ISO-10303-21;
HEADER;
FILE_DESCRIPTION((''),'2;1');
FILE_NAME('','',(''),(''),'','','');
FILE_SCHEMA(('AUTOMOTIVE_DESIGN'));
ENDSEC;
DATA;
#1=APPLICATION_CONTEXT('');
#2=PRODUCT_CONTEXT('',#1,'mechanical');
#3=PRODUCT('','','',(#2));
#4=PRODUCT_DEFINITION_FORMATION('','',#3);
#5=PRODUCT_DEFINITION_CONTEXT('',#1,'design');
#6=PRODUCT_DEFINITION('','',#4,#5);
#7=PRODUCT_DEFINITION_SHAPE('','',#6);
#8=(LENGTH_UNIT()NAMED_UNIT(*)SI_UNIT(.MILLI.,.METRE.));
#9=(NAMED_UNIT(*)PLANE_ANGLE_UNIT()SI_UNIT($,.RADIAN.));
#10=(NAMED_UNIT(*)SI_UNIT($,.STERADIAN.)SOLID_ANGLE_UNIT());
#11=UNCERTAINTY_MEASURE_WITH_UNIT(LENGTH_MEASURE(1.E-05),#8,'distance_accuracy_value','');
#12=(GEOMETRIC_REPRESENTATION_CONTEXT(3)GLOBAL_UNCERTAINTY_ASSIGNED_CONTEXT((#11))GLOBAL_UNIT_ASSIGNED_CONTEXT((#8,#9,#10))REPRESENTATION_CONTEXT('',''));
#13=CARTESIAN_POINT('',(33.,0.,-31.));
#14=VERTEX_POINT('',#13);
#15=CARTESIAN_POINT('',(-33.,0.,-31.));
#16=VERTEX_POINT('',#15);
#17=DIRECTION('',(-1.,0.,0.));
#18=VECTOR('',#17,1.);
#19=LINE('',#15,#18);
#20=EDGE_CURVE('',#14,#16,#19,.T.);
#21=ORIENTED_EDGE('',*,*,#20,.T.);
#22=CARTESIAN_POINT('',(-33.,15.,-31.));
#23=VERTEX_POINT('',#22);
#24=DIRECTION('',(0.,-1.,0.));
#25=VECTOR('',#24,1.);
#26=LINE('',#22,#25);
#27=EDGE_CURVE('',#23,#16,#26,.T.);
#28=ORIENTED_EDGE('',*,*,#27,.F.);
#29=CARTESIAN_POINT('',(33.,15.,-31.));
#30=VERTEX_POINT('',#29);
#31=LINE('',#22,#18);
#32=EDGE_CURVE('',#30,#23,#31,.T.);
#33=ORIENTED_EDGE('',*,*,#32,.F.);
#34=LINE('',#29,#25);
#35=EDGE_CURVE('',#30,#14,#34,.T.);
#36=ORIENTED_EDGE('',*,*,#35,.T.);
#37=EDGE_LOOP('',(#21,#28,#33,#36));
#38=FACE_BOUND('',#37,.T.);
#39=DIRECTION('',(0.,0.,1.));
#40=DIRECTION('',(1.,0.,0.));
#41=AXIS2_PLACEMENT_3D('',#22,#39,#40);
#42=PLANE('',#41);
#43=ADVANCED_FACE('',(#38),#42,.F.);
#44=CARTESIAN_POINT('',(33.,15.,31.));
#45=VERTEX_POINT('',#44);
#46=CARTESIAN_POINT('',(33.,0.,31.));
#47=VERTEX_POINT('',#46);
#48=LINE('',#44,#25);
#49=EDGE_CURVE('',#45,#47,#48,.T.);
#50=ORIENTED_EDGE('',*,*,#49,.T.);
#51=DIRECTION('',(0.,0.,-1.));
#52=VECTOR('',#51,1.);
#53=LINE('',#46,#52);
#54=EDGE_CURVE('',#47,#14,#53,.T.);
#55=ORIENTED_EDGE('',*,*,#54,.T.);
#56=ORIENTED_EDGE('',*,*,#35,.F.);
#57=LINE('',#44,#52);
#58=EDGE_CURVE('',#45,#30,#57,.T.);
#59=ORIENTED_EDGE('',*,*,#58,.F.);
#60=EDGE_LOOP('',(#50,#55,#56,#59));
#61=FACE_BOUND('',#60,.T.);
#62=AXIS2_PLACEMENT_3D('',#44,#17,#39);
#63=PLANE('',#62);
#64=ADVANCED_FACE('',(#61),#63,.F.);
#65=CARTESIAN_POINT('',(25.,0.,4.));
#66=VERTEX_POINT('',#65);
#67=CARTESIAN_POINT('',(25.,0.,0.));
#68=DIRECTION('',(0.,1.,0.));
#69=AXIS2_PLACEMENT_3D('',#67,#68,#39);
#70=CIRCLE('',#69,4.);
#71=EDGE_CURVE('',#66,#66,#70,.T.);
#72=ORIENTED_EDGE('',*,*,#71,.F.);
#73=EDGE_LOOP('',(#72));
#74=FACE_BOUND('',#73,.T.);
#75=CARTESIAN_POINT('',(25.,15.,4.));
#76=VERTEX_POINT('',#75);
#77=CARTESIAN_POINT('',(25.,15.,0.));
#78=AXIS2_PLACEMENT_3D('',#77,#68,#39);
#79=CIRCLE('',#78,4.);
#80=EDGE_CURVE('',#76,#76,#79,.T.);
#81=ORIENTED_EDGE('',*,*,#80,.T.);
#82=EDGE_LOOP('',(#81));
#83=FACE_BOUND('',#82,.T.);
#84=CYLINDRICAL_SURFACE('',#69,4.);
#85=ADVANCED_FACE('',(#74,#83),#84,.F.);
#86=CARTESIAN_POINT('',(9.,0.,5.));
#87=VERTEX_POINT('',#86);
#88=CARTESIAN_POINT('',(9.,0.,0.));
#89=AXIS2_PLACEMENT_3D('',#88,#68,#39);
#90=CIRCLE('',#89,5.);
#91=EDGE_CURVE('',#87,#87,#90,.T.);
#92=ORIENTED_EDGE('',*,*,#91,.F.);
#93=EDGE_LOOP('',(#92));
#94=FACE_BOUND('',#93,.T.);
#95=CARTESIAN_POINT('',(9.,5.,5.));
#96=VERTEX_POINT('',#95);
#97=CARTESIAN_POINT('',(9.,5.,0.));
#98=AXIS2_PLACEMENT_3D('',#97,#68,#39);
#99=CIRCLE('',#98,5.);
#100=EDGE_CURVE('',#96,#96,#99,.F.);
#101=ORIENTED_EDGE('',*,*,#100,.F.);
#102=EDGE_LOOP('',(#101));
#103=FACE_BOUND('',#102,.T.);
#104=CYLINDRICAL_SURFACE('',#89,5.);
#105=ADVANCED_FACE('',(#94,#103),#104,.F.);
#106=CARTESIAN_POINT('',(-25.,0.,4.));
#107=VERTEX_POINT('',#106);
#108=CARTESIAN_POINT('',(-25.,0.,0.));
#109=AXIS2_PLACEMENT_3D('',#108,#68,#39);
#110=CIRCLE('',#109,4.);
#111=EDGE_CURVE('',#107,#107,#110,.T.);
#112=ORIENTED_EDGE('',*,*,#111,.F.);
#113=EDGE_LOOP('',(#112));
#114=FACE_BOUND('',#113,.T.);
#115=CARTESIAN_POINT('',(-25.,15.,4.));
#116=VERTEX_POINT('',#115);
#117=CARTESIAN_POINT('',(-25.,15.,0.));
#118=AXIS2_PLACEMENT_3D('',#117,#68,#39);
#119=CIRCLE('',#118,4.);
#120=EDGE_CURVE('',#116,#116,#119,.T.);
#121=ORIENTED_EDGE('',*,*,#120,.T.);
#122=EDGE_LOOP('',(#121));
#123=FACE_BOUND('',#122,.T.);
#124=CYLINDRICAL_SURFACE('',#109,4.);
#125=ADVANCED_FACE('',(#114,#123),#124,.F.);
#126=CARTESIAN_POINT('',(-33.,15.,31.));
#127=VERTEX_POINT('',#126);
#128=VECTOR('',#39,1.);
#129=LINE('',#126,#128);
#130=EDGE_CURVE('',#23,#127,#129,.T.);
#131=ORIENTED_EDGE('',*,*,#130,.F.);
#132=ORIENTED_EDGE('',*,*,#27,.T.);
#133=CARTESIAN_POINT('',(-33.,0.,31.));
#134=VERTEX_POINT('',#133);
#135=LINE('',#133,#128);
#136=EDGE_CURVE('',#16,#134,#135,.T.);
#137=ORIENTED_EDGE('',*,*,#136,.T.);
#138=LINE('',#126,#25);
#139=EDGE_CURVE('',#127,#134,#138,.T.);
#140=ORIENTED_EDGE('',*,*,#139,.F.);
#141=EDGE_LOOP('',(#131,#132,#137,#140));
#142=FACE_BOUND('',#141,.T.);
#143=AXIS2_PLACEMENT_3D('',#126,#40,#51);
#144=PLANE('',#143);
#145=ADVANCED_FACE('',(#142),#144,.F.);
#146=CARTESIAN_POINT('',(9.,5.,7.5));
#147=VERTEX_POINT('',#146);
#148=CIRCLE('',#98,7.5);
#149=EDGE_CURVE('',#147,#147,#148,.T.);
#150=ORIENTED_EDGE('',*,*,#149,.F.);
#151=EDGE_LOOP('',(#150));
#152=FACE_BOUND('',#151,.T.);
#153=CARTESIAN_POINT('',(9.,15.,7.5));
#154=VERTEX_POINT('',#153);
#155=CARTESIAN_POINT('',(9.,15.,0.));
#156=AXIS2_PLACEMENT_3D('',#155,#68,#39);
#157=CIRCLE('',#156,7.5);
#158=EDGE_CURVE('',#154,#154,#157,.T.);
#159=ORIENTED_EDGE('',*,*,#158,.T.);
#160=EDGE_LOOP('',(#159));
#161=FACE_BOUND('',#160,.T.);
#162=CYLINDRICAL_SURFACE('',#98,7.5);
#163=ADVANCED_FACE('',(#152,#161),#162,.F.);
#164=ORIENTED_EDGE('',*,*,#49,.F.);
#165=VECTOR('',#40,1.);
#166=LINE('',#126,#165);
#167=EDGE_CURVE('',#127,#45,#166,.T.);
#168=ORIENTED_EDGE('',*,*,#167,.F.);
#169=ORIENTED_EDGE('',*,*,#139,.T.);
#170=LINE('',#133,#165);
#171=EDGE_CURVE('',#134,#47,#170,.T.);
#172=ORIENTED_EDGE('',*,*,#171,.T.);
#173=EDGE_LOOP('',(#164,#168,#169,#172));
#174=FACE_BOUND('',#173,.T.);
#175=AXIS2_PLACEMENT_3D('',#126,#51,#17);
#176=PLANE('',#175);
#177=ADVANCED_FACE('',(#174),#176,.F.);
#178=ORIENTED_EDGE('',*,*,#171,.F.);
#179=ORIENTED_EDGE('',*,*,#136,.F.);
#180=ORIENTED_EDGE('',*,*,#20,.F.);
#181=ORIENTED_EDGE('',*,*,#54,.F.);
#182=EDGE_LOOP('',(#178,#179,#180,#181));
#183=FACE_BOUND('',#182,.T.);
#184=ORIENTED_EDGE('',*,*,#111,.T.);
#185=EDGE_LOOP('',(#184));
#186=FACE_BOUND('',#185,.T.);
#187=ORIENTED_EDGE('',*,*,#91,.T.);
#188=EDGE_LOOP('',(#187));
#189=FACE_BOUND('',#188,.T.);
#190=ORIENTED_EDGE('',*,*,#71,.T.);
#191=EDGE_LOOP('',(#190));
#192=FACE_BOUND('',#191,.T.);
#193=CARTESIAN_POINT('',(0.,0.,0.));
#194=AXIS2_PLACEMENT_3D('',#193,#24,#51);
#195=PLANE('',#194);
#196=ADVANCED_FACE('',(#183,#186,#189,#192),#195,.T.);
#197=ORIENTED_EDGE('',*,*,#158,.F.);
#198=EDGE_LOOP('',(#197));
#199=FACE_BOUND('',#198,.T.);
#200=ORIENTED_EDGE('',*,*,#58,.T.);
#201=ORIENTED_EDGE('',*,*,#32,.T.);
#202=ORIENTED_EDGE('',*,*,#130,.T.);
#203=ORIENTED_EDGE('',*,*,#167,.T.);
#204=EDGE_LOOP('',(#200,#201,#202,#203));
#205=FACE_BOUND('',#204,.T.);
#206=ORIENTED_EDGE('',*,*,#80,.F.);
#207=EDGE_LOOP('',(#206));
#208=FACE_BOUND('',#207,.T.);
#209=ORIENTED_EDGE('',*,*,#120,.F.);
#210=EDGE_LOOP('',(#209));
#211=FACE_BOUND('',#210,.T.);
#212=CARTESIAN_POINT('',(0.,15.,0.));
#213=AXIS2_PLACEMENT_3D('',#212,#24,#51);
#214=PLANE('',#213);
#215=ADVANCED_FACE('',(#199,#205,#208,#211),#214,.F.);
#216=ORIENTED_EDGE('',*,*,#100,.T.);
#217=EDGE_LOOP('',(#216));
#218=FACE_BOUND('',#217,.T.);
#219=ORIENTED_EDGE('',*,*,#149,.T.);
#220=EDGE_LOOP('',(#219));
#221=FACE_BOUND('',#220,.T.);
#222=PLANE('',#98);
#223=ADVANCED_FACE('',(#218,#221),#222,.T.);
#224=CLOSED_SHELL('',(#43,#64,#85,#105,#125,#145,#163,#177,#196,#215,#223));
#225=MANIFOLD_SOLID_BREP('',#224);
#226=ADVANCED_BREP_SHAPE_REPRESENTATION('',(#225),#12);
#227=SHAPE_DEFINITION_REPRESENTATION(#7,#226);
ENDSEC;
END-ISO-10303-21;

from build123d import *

# Parameters (mm, degrees)
CROQUIS1_W              = 66
CROQUIS1_H              = 62
SALIENTE_EXTRUIR1_DEPTH = 15
CROQUIS2_R              = 5
CROQUIS2_R_2            = 4
CORTAR_EXTRUIR1_DEPTH   = 15
CROQUIS3_R              = 7.5
CORTAR_EXTRUIR2_DEPTH   = 10


with BuildPart() as part:
    # Croquis1 → Saliente-Extruir1 (new body)
    with BuildSketch(Plane(origin=(0, 0, 0), x_dir=(1, 0, 0), z_dir=(0, 1, 0))):
        Rectangle(CROQUIS1_W, CROQUIS1_H)
    extrude(amount=SALIENTE_EXTRUIR1_DEPTH)

    # Croquis2 → Cortar-Extruir1 (cut)
    with BuildSketch(Plane(origin=(0, 15, 0), x_dir=(1, 0, 0), z_dir=(0, 1, 0))):
        with Locations((9, 0)):
            Circle(CROQUIS2_R)
        with Locations((-25, 0)):
            Circle(CROQUIS2_R_2)
        with Locations((25, 0)):
            Circle(CROQUIS2_R_2)
    extrude(amount=-CORTAR_EXTRUIR1_DEPTH, mode=Mode.SUBTRACT)

    # Croquis3 → Cortar-Extruir2 (cut)
    with BuildSketch(Plane(origin=(0, 15, 0), x_dir=(1, 0, 0), z_dir=(0, 1, 0))):
        with Locations((9, 0)):
            Circle(CROQUIS3_R)
    extrude(amount=-CORTAR_EXTRUIR2_DEPTH, mode=Mode.SUBTRACT)


solid = part.part
